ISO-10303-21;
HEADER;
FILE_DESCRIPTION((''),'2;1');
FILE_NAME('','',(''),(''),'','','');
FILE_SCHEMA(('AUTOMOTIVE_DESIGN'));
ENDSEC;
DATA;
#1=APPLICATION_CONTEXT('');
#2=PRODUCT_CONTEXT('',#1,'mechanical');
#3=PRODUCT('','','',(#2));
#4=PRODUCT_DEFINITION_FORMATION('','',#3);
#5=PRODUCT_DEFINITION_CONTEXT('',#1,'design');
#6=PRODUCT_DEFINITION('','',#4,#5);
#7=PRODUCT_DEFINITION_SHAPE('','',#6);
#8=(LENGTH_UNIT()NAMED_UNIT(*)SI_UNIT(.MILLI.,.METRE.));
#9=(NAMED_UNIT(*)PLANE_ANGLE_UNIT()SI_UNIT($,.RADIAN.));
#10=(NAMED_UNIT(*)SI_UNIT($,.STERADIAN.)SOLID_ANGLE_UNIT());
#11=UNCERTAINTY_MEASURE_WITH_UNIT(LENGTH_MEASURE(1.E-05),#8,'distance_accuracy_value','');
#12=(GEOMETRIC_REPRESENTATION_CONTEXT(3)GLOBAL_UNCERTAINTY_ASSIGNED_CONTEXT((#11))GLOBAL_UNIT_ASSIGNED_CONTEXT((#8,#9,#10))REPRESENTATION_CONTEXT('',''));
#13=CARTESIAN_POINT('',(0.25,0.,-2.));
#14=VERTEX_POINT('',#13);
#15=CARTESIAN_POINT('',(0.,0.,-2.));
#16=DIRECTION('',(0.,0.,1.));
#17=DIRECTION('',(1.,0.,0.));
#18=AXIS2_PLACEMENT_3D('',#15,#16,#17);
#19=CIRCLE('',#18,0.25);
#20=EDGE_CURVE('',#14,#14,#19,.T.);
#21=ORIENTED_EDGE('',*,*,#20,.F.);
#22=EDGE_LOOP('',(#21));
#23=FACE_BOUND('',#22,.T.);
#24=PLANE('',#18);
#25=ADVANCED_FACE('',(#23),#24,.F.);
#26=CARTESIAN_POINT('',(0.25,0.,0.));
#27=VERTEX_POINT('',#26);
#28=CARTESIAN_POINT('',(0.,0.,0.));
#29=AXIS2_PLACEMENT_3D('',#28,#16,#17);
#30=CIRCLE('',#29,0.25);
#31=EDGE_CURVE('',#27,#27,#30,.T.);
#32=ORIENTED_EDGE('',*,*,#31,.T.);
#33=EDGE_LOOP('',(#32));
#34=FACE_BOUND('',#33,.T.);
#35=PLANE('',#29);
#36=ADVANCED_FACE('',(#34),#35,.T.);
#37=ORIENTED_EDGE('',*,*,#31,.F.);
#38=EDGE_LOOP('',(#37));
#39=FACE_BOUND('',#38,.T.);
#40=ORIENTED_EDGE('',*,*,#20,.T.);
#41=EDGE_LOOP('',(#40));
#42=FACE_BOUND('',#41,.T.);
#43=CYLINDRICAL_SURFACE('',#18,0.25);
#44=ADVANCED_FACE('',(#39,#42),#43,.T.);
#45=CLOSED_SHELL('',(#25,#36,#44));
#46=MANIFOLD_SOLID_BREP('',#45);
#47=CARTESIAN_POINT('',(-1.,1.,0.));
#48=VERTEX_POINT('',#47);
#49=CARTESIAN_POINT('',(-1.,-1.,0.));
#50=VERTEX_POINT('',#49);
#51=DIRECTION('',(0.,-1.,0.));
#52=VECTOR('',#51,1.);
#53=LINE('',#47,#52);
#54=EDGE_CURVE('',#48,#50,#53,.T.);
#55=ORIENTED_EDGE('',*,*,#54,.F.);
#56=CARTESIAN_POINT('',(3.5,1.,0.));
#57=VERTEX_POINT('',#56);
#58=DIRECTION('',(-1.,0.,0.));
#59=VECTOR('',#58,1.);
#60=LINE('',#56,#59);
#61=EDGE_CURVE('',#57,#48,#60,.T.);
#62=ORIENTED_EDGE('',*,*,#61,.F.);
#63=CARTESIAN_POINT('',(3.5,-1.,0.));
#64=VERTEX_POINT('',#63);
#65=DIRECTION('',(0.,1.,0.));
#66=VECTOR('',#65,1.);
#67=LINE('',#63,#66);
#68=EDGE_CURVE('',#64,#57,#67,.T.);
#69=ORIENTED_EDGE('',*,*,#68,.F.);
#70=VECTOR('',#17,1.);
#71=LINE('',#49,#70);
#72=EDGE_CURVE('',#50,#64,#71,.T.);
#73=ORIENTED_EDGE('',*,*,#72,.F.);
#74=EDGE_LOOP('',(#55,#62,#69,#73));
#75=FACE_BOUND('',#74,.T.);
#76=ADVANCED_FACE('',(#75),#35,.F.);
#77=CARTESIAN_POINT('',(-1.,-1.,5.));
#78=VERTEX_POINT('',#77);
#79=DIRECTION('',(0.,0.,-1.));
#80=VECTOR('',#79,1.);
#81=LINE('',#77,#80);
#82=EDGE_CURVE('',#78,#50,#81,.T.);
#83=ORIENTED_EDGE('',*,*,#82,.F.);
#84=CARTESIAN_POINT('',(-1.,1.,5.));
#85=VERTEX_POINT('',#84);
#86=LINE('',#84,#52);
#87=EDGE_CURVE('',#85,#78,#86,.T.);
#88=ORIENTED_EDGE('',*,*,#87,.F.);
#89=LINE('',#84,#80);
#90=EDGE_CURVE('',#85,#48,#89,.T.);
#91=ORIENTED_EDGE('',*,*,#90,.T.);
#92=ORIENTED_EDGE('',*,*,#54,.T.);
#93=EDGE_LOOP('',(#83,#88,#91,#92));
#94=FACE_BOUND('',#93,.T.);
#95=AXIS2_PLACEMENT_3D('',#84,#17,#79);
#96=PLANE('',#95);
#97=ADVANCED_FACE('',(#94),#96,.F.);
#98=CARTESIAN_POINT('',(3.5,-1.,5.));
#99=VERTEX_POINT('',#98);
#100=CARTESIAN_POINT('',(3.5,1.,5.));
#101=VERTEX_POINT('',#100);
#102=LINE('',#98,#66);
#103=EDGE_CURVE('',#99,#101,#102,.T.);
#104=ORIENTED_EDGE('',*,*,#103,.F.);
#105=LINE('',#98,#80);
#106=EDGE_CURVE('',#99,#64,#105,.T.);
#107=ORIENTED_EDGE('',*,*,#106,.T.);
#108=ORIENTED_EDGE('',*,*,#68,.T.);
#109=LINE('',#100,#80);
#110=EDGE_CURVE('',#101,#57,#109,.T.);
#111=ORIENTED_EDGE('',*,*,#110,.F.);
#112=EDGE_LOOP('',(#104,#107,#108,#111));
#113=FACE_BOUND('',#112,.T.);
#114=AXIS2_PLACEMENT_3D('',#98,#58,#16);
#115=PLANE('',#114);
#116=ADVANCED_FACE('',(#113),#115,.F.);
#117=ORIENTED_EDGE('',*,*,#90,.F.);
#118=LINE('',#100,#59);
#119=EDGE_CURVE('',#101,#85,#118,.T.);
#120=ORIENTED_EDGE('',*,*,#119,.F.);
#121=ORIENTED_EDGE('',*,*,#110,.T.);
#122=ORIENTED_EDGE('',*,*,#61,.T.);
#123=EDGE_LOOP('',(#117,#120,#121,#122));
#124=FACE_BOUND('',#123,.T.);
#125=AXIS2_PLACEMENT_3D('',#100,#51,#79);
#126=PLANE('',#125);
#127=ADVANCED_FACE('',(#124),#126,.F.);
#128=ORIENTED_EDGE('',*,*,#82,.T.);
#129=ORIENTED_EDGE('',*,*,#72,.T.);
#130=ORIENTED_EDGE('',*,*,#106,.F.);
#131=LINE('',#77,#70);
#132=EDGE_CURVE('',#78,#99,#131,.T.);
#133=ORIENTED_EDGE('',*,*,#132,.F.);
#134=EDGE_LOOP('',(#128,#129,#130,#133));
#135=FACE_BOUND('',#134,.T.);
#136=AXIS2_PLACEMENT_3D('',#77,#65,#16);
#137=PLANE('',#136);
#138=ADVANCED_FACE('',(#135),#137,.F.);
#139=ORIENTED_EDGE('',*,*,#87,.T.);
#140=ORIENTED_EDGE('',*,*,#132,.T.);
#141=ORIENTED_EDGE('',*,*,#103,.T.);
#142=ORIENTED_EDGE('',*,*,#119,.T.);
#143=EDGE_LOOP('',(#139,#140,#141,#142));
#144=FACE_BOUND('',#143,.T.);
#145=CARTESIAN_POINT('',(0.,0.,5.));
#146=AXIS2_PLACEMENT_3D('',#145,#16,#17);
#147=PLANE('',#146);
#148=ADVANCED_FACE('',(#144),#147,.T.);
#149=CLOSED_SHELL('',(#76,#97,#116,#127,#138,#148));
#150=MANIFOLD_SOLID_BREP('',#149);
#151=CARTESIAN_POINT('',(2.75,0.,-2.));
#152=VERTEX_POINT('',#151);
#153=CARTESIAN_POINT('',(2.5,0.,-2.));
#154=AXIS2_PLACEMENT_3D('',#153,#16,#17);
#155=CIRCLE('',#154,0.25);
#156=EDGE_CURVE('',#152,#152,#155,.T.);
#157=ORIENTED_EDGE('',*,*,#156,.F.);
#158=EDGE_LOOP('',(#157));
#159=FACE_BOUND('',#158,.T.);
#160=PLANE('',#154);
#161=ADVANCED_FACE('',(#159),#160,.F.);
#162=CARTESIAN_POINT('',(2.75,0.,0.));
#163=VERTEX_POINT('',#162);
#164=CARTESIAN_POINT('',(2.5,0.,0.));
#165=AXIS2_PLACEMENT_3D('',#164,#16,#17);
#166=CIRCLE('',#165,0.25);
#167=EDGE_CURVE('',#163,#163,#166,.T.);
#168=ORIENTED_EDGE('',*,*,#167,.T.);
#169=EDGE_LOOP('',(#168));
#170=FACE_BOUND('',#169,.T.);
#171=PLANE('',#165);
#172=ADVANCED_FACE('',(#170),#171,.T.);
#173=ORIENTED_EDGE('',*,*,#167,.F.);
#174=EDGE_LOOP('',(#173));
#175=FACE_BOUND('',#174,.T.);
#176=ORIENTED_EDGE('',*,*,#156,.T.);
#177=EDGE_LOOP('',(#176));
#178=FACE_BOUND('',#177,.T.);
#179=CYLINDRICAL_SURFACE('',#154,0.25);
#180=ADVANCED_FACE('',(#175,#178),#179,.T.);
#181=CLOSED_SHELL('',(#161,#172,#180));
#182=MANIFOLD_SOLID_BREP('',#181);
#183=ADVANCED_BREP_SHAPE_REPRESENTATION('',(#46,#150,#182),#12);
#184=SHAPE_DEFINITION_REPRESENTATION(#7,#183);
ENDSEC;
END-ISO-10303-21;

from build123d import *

# Parameters (mm, degrees)
SKETCH1_W               = 4.5
SKETCH1_H               = 2
COMPONENT_OUTLINE_DEPTH = 5
SKETCH2_R               = 0.25
EXTRUDE_1_DEPTH         = 2
SKETCH3_R               = 0.25
EXTRUDE_2_DEPTH         = 2


with BuildPart() as part:
    # Sketch1 → Component_Outline (new body)
    with BuildSketch(Plane.XY):
        with Locations((1.25, 0)):
            Rectangle(SKETCH1_W, SKETCH1_H)
    extrude(amount=COMPONENT_OUTLINE_DEPTH)


with BuildPart() as body_2:
    # Sketch2 → Extrude 1 (new body)
    with BuildSketch(Plane.XY):
        Circle(SKETCH2_R)
    extrude(amount=-EXTRUDE_1_DEPTH)


with BuildPart() as body_3:
    # Sketch3 → Extrude 2 (new body)
    with BuildSketch(Plane.XY):
        with Locations((2.5, 0)):
            Circle(SKETCH3_R)
    extrude(amount=-EXTRUDE_2_DEPTH)


solid = Compound([part.part, body_2.part, body_3.part])
